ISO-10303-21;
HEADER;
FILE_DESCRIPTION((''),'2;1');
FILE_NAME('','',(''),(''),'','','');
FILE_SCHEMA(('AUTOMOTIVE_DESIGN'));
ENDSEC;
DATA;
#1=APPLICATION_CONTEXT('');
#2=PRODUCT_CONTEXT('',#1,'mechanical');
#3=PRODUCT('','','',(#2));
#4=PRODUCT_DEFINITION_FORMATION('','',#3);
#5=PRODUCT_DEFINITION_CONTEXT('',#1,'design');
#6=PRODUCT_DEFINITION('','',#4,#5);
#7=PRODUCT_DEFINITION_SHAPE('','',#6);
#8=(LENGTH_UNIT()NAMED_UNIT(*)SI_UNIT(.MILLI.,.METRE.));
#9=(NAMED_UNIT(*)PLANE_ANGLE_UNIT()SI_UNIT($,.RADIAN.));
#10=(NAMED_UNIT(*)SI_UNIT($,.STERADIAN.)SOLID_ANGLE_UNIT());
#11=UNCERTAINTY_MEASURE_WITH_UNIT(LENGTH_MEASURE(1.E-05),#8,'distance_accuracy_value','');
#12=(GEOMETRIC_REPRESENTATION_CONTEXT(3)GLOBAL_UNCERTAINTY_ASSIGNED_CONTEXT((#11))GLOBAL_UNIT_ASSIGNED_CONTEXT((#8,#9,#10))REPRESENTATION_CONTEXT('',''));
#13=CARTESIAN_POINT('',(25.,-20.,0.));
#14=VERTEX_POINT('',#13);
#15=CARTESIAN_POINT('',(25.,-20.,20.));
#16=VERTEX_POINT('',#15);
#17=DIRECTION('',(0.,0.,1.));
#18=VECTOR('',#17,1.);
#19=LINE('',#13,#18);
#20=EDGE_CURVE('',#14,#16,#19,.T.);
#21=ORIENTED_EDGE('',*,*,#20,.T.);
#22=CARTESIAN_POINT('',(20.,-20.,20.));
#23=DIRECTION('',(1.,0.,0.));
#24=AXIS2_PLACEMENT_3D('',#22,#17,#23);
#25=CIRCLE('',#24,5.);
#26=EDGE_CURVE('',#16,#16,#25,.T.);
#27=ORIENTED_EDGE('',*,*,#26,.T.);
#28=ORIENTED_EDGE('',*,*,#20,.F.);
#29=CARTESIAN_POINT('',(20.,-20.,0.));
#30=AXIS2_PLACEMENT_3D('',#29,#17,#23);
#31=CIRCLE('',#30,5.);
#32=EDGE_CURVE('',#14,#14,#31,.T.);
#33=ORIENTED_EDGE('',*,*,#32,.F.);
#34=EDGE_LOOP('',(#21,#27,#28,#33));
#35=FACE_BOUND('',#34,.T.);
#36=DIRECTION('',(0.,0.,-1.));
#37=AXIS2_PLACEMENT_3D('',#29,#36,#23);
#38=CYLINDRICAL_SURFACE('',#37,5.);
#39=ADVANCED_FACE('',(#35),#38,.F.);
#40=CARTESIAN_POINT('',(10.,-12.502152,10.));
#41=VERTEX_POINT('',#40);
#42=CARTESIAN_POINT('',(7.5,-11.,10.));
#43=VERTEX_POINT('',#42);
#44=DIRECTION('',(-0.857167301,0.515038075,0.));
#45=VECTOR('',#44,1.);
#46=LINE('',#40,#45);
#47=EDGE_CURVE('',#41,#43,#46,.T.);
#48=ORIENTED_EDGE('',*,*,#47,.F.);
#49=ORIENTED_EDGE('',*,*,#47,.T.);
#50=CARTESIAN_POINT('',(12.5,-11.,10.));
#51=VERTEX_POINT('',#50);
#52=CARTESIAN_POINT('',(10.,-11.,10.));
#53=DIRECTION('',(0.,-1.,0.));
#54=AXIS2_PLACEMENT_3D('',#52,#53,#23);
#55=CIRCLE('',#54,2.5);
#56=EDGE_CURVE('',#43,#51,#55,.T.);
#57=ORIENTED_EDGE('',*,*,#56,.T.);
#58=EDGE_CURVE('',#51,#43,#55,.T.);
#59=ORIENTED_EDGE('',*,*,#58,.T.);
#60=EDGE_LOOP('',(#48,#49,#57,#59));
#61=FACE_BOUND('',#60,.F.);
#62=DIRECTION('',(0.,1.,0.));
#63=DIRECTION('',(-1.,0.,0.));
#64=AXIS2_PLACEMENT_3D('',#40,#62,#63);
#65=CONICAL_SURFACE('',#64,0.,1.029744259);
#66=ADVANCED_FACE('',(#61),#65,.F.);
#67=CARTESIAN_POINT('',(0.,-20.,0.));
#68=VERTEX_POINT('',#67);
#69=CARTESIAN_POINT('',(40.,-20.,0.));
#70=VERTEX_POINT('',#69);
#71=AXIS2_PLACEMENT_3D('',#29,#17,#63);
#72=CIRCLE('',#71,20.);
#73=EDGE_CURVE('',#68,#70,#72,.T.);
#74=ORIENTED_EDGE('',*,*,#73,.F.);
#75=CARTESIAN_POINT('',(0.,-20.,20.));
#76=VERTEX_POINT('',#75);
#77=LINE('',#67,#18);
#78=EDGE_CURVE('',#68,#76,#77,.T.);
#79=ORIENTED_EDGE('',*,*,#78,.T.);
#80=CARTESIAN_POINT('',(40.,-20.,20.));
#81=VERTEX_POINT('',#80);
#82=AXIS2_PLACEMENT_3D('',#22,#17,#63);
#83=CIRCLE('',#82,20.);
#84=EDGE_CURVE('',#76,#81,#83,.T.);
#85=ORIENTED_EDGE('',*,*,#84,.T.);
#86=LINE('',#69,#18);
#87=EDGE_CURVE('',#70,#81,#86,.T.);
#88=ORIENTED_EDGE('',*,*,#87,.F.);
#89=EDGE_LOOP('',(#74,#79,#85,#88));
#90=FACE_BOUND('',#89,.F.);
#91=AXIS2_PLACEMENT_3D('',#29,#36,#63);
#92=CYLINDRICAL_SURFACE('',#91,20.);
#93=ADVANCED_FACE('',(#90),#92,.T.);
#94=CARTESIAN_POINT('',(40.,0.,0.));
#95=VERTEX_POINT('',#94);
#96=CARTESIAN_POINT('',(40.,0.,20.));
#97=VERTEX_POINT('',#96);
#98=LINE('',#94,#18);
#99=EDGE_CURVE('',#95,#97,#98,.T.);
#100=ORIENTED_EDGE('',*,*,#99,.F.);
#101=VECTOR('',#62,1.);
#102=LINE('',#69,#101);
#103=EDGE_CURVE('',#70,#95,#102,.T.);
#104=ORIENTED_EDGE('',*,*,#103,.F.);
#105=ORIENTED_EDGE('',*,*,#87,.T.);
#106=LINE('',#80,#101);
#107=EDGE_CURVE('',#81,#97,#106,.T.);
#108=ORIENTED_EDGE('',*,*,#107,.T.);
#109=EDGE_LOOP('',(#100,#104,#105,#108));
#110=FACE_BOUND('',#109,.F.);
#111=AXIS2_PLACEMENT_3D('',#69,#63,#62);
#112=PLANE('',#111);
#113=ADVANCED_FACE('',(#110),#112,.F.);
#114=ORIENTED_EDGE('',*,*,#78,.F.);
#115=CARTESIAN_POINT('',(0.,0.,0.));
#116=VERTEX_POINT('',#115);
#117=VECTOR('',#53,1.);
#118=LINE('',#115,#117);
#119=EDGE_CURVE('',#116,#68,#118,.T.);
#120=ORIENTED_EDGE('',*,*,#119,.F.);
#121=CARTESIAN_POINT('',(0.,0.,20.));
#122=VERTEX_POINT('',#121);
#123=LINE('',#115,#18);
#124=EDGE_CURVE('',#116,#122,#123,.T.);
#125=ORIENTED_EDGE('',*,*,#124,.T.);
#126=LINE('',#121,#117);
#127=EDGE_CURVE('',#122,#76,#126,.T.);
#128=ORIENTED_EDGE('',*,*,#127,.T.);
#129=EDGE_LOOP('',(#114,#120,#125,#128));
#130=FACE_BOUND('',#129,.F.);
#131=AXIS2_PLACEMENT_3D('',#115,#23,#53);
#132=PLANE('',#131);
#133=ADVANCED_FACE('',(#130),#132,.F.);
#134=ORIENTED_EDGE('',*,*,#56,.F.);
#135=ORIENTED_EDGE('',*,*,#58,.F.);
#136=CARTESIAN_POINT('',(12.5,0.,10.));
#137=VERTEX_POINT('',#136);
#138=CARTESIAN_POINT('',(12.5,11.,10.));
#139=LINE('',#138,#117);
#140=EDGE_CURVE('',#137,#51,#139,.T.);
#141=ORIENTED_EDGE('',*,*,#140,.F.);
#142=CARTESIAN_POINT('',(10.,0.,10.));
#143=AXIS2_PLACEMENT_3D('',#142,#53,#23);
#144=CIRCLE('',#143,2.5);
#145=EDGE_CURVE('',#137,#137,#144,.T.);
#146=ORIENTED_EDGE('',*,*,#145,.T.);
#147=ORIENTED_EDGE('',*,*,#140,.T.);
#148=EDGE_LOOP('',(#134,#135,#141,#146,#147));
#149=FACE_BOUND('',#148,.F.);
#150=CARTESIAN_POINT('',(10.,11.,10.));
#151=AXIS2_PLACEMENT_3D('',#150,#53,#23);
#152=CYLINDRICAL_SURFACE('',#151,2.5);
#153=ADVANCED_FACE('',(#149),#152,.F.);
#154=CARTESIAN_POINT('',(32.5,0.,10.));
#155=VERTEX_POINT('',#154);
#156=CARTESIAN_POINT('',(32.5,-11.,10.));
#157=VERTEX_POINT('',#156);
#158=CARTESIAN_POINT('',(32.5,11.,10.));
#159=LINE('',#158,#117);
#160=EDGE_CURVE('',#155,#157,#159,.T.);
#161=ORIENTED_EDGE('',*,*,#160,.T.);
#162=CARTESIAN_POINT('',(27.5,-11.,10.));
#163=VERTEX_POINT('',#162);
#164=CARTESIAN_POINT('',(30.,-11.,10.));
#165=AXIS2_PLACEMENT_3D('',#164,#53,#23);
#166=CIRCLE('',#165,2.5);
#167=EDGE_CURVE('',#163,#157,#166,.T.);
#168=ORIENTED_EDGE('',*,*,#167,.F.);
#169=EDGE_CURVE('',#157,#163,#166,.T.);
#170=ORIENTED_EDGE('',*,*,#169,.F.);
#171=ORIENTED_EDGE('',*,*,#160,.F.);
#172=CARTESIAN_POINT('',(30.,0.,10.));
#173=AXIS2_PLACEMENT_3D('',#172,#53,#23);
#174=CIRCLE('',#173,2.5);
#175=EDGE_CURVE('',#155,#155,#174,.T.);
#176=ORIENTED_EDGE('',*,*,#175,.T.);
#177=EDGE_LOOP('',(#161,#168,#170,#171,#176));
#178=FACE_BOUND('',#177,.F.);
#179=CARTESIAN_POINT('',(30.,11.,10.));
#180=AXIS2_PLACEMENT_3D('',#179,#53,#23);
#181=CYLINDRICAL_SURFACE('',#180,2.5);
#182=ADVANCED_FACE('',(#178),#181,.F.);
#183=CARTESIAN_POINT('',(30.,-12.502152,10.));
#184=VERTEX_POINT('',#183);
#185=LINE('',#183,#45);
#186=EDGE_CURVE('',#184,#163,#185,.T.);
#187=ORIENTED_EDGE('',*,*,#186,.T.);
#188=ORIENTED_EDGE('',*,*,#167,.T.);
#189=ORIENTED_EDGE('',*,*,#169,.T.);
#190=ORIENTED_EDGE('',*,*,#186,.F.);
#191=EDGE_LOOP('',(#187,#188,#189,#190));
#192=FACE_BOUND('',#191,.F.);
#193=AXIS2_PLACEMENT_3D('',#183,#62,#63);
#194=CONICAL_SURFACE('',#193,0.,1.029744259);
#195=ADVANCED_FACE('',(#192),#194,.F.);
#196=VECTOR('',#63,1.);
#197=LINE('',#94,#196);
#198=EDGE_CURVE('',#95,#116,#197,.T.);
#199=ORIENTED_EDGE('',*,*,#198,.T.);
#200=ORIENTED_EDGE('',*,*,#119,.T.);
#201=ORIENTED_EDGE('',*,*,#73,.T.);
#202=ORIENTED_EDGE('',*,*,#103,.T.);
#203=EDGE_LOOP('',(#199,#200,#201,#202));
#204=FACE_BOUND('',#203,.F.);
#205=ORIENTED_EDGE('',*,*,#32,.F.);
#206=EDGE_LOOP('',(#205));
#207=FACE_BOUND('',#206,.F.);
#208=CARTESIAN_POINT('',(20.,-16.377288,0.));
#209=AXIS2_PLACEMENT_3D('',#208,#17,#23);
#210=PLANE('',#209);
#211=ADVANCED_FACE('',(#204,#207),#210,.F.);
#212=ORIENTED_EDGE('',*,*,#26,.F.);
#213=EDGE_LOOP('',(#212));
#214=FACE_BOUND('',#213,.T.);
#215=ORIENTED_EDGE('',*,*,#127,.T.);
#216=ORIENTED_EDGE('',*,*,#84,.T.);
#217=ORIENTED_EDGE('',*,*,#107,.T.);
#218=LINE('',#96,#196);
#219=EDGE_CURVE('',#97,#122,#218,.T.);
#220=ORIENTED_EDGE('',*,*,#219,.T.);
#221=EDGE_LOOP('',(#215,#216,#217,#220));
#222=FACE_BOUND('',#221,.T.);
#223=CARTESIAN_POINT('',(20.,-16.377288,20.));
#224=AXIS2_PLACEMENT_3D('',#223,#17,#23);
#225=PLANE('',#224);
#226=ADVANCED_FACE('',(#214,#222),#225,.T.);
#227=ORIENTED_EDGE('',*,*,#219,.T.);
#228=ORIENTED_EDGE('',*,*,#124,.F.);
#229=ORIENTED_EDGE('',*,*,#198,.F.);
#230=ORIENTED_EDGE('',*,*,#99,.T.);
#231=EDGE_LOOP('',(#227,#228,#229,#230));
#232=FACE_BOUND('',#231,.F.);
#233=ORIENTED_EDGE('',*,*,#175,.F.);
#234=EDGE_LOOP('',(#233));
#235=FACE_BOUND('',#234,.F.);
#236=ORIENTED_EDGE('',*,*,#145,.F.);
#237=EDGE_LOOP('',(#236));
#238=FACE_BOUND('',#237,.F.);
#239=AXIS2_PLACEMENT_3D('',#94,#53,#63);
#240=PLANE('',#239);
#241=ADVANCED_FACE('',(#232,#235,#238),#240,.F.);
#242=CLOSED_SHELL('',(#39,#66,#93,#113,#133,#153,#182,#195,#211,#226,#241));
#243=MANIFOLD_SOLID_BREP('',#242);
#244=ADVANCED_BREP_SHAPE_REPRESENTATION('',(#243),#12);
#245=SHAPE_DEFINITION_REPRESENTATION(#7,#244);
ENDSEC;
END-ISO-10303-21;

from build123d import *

# Parameters (mm, degrees)
F0_R     = 5
F1_DEPTH = 20
F3_D     = 5
F3_DEPTH = 11
F3_TIP   = 1.5021515476


with BuildPart() as f1:
    # F0 (on Top) → F1 (new body)
    with BuildSketch(Plane.XY):
        with BuildLine():
            Line((40, 0), (0, 0))
            Line((0, 0), (0, -20))
            ThreePointArc((0, -20), (20, -40), (40, -20))
            Line((40, -20), (40, 0))
        make_face()
        with Locations((20, -20)):
            Circle(F0_R, mode=Mode.SUBTRACT)
    extrude(amount=F1_DEPTH)

    # F3
    with Locations(Plane(origin=(0, 0, 0), x_dir=(-1, 0, 0), z_dir=(0, 1, 0))):
        with Locations((-10, 10), (-30, 10)):
            Hole(F3_D / 2, depth=F3_DEPTH)
            with Locations((0, 0, -(F3_DEPTH + F3_TIP / 2))):  # 118° drill point
                Cone(0, F3_D / 2, F3_TIP, mode=Mode.SUBTRACT)


solid = f1.part
